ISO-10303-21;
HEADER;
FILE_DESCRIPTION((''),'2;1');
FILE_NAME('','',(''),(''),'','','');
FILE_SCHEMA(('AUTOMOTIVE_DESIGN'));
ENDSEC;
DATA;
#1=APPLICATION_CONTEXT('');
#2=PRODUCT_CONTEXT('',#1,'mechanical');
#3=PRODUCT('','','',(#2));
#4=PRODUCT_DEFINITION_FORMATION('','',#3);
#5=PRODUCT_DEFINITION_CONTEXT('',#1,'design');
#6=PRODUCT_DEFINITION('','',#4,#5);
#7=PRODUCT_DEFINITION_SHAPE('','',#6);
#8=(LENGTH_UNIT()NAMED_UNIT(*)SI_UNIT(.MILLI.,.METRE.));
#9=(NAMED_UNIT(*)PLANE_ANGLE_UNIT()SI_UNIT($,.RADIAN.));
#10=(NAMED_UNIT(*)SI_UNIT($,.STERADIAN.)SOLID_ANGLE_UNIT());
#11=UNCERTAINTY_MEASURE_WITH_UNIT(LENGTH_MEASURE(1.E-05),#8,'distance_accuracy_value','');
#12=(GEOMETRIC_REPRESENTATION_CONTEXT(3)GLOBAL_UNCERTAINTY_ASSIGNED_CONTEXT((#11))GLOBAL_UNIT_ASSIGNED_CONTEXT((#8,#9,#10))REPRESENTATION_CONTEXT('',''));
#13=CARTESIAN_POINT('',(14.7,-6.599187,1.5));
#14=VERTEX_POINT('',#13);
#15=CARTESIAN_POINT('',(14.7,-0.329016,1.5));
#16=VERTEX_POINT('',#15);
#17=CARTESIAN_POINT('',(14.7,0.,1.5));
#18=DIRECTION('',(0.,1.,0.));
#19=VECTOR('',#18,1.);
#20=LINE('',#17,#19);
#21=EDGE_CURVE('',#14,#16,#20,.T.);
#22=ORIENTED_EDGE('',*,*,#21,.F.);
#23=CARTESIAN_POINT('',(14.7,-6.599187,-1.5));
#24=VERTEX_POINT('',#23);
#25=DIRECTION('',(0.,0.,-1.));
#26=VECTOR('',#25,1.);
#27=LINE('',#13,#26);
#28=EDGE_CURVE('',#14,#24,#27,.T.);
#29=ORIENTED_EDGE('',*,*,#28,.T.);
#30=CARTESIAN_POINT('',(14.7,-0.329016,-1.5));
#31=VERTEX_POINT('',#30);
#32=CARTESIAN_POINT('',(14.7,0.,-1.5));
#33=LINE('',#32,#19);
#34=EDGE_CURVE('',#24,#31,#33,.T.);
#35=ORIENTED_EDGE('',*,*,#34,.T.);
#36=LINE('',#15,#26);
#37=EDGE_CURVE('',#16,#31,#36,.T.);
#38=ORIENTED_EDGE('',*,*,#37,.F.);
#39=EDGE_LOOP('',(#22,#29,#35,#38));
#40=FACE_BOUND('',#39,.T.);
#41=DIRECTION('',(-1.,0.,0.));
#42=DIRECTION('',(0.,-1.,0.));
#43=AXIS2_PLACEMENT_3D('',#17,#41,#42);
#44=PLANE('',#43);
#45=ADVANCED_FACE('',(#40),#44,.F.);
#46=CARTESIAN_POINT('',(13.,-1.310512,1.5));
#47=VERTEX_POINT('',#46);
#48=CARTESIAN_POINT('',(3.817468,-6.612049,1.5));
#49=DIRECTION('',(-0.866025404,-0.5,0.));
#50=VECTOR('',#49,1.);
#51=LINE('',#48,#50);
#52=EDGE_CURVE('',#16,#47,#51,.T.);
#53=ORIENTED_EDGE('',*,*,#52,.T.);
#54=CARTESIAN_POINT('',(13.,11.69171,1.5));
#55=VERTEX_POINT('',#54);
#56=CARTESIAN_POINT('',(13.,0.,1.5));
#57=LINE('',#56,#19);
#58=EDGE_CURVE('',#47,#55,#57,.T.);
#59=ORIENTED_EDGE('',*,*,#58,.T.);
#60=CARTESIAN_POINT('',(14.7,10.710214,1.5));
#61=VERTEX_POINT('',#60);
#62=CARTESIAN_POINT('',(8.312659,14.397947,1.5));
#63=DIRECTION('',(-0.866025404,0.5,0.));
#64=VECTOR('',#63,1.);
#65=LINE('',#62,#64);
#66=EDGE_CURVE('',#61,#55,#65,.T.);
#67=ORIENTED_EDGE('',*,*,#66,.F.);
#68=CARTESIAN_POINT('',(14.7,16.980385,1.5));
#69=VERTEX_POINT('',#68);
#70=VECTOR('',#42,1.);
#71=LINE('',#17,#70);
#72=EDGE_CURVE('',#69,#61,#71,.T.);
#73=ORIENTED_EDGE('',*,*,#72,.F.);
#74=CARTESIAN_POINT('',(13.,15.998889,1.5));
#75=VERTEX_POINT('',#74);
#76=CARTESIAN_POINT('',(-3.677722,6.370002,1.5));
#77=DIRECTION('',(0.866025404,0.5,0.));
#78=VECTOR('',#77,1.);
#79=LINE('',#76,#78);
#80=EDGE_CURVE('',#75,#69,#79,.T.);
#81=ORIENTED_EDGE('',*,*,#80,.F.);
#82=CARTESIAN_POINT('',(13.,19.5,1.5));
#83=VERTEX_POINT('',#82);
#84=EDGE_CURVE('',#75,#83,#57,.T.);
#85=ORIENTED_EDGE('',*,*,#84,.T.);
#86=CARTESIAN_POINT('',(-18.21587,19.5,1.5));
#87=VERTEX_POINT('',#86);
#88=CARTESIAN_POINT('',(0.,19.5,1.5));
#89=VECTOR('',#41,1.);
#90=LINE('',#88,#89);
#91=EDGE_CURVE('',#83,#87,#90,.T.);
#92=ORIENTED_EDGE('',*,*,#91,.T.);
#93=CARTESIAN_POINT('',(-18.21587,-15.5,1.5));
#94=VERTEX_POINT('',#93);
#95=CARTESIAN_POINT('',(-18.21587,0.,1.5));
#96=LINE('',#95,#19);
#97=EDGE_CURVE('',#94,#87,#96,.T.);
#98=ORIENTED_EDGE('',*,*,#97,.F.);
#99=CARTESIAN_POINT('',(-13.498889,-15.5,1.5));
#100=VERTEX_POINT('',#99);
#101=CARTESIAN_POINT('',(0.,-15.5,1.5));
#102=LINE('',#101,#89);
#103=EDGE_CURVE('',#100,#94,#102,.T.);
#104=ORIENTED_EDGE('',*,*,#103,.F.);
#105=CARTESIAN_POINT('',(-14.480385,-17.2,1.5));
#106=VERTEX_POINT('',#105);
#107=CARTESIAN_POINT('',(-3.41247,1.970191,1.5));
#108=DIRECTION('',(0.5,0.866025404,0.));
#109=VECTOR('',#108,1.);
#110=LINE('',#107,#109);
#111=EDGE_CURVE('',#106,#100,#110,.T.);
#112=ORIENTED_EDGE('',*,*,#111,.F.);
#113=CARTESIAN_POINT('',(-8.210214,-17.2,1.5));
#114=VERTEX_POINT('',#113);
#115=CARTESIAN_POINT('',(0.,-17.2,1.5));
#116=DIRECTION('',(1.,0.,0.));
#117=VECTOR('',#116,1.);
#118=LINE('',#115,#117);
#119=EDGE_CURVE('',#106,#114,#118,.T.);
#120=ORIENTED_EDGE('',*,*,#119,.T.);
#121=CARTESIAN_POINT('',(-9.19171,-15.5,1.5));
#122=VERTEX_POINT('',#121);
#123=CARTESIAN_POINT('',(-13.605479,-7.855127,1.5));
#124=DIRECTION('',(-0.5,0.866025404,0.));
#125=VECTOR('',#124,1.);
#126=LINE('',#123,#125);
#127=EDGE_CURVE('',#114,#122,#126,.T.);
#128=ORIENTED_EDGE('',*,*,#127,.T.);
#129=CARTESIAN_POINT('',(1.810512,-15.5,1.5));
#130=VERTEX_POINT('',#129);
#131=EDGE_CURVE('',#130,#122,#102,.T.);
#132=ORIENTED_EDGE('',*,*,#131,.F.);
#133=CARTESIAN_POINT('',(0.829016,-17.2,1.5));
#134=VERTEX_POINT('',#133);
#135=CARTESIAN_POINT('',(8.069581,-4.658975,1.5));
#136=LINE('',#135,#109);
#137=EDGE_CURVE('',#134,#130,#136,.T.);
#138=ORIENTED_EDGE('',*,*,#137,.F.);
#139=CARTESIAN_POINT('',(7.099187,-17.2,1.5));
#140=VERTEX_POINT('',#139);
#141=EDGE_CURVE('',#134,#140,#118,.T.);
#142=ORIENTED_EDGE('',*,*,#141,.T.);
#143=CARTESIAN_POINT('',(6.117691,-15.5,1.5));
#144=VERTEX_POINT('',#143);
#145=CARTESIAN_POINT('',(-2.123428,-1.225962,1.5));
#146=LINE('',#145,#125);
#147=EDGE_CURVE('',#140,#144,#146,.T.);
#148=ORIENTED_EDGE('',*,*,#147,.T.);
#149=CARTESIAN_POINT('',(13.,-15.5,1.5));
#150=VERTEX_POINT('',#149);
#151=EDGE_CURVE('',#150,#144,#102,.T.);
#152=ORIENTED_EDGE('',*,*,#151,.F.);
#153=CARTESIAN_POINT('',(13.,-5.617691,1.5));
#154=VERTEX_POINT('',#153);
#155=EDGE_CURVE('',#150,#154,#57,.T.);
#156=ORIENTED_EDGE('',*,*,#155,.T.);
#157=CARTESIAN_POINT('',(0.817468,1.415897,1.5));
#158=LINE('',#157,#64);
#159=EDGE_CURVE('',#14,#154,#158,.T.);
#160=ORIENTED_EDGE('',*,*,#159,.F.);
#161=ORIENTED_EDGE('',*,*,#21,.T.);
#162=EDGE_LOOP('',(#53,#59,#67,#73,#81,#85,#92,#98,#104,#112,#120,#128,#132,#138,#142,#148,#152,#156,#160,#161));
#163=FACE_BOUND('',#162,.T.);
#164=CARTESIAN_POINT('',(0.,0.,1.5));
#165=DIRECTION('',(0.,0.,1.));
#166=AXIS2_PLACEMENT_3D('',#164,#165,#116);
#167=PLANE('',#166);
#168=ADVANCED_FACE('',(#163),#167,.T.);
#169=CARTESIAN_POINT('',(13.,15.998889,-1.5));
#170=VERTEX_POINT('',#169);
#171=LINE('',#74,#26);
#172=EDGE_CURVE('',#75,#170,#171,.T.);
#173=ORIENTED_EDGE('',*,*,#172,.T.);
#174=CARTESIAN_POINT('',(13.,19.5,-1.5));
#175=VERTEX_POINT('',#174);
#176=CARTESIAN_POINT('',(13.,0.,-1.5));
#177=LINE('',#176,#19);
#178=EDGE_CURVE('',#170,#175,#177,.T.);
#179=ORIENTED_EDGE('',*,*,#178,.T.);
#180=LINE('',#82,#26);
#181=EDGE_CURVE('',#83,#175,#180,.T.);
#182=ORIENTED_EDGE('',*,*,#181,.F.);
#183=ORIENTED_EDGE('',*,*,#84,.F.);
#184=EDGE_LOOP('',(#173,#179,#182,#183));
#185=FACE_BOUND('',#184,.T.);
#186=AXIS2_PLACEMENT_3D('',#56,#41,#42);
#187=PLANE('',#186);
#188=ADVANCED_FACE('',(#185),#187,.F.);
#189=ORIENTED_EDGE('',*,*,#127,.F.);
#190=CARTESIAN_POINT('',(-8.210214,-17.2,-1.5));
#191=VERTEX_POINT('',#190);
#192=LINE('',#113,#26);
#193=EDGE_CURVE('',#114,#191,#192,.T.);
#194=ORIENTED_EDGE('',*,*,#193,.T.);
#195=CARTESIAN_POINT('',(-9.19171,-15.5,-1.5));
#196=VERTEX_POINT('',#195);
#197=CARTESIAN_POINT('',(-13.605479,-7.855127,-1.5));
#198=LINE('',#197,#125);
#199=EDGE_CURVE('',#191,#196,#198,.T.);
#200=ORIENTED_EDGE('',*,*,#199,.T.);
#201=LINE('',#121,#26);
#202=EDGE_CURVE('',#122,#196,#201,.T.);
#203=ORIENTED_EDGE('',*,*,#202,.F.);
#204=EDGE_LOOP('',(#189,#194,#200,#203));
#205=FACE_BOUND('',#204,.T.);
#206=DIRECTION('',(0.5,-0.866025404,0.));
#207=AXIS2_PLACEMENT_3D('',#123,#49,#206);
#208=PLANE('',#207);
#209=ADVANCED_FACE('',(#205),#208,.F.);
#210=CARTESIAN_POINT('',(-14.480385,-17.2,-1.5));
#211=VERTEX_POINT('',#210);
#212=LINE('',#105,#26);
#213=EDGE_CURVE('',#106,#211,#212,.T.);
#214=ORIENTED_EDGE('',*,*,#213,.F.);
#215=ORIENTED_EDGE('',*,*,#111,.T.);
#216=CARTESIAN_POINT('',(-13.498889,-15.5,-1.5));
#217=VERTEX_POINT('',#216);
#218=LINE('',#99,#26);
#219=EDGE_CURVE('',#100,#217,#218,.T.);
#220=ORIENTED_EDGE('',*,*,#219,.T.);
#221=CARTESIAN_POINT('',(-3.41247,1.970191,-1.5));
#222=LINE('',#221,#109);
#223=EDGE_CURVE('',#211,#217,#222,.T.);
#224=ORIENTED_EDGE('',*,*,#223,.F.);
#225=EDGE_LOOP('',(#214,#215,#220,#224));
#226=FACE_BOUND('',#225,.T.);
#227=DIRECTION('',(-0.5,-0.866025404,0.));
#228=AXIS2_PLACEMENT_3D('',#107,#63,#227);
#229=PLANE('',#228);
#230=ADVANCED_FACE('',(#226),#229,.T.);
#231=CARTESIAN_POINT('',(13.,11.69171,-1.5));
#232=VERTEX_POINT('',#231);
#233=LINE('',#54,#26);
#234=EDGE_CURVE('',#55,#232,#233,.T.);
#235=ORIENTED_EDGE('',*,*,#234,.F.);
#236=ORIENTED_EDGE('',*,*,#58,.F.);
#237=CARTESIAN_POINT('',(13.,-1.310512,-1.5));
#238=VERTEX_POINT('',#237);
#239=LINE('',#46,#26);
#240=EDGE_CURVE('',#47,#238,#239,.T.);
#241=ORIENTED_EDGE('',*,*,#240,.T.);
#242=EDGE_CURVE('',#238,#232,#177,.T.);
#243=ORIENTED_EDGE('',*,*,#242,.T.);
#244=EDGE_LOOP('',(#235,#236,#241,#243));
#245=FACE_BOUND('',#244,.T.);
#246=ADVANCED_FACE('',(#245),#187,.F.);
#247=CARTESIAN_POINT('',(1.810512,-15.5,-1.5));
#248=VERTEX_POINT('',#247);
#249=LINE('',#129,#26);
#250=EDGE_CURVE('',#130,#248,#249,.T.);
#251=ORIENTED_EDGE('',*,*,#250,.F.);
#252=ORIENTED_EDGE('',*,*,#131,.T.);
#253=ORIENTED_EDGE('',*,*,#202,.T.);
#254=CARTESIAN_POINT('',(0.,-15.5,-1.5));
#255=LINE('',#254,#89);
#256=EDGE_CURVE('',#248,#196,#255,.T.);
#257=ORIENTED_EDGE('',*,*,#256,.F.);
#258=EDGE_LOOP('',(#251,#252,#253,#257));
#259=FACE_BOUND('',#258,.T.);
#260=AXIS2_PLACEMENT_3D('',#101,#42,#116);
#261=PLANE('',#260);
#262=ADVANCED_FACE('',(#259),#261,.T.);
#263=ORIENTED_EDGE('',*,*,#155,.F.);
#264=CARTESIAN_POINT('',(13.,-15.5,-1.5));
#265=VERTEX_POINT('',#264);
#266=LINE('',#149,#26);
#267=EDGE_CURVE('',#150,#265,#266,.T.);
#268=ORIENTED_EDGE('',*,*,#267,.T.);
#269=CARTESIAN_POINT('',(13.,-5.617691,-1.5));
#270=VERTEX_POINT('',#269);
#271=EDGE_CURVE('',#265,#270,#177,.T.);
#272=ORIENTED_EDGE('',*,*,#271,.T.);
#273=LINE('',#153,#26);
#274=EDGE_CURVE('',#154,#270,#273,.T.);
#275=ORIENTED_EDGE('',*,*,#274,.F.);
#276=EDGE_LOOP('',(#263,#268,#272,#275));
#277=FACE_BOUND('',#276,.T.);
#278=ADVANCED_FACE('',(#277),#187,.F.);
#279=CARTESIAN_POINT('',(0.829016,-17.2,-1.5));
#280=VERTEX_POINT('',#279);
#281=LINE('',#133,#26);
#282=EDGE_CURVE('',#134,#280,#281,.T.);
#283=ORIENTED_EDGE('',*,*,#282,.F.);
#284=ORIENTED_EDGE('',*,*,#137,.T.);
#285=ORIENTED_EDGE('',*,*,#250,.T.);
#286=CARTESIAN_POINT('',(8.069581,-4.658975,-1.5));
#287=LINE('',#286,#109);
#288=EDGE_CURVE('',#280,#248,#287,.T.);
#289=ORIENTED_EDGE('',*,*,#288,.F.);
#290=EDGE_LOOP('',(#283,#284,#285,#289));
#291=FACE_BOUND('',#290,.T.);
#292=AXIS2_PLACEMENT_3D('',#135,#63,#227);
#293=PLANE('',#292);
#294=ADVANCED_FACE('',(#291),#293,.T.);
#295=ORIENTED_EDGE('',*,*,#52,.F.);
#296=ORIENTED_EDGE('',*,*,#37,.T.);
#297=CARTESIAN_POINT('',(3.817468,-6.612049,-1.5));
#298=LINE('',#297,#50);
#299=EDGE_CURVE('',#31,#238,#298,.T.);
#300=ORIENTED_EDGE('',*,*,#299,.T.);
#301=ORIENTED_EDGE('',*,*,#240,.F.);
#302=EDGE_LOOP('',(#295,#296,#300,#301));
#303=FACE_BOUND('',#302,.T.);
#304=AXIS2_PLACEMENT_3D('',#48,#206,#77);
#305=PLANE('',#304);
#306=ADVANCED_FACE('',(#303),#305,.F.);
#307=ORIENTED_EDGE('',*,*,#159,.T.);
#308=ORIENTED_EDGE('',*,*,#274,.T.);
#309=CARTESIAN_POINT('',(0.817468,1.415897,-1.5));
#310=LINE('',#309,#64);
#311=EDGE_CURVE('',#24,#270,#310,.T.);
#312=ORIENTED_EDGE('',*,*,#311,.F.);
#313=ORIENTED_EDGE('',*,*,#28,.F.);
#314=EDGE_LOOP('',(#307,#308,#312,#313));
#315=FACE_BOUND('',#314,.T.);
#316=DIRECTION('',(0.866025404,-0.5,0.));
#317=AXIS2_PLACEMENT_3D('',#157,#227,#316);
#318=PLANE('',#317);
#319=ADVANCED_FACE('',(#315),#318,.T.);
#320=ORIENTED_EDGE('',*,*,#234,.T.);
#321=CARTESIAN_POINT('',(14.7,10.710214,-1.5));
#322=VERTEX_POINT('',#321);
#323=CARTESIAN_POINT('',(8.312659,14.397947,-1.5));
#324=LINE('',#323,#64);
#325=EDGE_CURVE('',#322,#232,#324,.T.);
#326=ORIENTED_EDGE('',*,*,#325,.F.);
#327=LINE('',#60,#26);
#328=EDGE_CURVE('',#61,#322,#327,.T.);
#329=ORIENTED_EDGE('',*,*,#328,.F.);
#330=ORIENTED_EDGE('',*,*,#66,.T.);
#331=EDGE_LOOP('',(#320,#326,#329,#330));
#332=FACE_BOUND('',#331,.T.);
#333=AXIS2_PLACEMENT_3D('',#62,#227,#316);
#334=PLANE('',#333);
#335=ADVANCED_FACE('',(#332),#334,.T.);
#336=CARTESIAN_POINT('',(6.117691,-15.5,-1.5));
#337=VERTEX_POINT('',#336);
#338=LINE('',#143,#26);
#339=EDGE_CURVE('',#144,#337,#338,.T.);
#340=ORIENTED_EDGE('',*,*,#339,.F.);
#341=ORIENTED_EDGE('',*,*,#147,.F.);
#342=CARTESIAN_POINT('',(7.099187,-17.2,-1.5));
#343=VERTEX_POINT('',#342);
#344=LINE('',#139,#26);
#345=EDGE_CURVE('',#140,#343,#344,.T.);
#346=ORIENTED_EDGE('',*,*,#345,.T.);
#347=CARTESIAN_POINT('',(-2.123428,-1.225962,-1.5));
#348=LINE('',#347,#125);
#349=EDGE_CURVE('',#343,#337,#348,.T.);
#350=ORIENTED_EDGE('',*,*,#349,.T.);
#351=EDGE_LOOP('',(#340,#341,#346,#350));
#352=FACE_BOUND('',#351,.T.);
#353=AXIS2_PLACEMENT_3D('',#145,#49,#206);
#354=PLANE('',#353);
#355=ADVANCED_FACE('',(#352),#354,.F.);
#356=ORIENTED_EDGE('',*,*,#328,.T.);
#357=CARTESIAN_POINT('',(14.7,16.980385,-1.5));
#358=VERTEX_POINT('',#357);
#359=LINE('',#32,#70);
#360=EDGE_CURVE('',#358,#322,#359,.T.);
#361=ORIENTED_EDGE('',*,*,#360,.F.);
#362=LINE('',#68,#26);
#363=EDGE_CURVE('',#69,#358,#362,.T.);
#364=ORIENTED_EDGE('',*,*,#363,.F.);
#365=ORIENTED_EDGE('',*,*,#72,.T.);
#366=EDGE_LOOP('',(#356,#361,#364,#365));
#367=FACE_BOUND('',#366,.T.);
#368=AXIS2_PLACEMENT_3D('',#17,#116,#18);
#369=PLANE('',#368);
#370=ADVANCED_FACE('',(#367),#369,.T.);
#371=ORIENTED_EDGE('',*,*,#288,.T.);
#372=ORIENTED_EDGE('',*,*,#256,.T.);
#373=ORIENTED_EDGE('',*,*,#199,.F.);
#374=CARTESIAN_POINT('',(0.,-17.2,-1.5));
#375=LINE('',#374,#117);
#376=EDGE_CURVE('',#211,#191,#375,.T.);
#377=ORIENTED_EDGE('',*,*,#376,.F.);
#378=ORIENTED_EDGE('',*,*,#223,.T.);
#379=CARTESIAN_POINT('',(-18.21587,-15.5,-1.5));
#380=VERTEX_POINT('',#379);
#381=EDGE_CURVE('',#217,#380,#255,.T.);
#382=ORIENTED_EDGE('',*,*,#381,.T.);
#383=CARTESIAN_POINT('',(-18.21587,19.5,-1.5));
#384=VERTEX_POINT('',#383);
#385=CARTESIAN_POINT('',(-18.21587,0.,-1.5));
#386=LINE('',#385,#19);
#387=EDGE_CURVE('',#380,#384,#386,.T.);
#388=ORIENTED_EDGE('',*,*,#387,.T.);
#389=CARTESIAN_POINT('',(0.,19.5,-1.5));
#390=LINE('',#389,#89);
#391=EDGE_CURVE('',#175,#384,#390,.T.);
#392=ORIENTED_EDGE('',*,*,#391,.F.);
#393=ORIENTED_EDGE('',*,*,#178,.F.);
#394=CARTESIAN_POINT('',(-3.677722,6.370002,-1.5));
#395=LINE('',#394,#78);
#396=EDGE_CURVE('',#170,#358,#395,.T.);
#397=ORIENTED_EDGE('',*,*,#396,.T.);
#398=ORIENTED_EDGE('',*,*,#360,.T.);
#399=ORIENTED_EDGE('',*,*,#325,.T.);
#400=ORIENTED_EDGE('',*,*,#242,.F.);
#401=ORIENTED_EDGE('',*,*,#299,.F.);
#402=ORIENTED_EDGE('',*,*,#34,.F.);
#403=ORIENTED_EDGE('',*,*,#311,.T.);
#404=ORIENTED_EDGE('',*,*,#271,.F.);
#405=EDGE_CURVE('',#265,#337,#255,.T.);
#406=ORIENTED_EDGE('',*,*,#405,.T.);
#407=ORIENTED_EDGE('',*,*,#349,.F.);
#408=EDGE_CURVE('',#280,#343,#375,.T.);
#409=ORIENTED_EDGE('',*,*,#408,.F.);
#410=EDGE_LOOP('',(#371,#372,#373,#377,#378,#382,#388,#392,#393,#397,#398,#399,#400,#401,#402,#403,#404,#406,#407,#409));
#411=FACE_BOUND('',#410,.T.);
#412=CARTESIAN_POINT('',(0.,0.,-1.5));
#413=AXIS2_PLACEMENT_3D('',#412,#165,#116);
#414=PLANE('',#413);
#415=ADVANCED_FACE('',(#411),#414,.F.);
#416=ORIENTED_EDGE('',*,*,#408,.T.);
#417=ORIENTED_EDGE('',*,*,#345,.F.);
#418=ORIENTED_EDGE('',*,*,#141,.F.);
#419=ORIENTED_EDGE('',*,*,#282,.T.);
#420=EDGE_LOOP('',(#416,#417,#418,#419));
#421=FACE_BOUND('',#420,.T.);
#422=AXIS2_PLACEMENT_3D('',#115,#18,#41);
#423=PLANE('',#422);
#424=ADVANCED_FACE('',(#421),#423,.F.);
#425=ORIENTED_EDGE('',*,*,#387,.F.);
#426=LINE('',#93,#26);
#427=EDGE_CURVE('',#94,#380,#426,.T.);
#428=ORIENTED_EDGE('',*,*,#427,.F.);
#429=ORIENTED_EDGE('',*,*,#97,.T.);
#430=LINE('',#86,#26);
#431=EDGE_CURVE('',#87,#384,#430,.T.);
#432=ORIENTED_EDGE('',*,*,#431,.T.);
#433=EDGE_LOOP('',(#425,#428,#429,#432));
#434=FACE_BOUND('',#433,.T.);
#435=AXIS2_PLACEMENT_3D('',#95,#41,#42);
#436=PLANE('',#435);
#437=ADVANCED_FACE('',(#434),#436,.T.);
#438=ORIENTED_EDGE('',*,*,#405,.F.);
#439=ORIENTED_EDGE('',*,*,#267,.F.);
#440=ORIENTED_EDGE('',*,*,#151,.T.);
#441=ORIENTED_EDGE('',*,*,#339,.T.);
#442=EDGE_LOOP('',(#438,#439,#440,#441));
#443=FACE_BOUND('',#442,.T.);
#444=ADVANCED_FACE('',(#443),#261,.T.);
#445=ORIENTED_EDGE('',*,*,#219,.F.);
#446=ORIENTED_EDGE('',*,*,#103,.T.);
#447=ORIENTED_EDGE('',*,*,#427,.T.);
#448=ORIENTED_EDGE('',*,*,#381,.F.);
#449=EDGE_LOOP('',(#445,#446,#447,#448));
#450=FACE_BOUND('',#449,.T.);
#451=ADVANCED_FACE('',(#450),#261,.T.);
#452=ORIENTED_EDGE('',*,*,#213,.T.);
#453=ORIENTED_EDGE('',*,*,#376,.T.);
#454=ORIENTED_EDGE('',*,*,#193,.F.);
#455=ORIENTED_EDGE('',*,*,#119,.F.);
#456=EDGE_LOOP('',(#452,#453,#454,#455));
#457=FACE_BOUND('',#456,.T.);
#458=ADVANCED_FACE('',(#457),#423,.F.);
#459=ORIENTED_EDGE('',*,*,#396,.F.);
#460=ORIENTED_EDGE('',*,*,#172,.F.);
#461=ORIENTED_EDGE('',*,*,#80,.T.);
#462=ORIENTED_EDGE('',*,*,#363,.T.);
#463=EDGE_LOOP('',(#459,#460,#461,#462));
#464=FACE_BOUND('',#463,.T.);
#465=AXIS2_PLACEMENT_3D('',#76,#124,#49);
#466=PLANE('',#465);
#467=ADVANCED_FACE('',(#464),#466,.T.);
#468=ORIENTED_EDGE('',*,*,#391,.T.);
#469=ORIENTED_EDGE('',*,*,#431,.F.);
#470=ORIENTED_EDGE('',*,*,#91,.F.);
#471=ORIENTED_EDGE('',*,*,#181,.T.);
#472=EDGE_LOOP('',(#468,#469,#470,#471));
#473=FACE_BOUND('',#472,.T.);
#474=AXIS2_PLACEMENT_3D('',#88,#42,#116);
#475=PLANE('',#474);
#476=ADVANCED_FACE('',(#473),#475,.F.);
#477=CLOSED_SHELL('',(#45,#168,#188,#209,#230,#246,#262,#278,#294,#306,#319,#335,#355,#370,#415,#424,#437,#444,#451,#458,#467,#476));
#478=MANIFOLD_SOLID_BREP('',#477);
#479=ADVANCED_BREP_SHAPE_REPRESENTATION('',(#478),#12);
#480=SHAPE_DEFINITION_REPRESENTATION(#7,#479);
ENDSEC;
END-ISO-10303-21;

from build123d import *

# Parameters (mm, degrees)
CROQUIS3_W              = 31.215869756
CROQUIS3_H              = 35
SALIENTE_EXTRUIR3_DEPTH = 1.5


with BuildPart() as part:
    # Croquis3 → Saliente-Extruir3 (new, symmetric)
    with BuildSketch(Plane.XY):
        with Locations((-2.607934878, 2)):
            Rectangle(CROQUIS3_W, CROQUIS3_H)
        Polygon((-13.4988893, -15.5), (-13.58549184, -15.65), (-14.480384758, -17.2), (-8.210214166, -17.2), (-9.105107083, -15.65), (-9.191709623, -15.5), align=None)
        Polygon((6.117691454, -15.5), (1.810511777, -15.5), (1.723909236, -15.65), (0.829016319, -17.2), (7.099186911, -17.2), (6.204293994, -15.65), align=None)
        Polygon((13.15, 16.08549184), (13, 15.9988893), (13, 11.691709623), (13.15, 11.605107083), (14.7, 10.710214166), (14.7, 16.980384758), align=None)
        Polygon((13, -1.310511777), (13, -5.617691454), (13.15, -5.704293994), (14.7, -6.599186911), (14.7, -0.329016319), (13.15, -1.223909236), align=None)
    extrude(amount=SALIENTE_EXTRUIR3_DEPTH, both=True)


solid = part.part
